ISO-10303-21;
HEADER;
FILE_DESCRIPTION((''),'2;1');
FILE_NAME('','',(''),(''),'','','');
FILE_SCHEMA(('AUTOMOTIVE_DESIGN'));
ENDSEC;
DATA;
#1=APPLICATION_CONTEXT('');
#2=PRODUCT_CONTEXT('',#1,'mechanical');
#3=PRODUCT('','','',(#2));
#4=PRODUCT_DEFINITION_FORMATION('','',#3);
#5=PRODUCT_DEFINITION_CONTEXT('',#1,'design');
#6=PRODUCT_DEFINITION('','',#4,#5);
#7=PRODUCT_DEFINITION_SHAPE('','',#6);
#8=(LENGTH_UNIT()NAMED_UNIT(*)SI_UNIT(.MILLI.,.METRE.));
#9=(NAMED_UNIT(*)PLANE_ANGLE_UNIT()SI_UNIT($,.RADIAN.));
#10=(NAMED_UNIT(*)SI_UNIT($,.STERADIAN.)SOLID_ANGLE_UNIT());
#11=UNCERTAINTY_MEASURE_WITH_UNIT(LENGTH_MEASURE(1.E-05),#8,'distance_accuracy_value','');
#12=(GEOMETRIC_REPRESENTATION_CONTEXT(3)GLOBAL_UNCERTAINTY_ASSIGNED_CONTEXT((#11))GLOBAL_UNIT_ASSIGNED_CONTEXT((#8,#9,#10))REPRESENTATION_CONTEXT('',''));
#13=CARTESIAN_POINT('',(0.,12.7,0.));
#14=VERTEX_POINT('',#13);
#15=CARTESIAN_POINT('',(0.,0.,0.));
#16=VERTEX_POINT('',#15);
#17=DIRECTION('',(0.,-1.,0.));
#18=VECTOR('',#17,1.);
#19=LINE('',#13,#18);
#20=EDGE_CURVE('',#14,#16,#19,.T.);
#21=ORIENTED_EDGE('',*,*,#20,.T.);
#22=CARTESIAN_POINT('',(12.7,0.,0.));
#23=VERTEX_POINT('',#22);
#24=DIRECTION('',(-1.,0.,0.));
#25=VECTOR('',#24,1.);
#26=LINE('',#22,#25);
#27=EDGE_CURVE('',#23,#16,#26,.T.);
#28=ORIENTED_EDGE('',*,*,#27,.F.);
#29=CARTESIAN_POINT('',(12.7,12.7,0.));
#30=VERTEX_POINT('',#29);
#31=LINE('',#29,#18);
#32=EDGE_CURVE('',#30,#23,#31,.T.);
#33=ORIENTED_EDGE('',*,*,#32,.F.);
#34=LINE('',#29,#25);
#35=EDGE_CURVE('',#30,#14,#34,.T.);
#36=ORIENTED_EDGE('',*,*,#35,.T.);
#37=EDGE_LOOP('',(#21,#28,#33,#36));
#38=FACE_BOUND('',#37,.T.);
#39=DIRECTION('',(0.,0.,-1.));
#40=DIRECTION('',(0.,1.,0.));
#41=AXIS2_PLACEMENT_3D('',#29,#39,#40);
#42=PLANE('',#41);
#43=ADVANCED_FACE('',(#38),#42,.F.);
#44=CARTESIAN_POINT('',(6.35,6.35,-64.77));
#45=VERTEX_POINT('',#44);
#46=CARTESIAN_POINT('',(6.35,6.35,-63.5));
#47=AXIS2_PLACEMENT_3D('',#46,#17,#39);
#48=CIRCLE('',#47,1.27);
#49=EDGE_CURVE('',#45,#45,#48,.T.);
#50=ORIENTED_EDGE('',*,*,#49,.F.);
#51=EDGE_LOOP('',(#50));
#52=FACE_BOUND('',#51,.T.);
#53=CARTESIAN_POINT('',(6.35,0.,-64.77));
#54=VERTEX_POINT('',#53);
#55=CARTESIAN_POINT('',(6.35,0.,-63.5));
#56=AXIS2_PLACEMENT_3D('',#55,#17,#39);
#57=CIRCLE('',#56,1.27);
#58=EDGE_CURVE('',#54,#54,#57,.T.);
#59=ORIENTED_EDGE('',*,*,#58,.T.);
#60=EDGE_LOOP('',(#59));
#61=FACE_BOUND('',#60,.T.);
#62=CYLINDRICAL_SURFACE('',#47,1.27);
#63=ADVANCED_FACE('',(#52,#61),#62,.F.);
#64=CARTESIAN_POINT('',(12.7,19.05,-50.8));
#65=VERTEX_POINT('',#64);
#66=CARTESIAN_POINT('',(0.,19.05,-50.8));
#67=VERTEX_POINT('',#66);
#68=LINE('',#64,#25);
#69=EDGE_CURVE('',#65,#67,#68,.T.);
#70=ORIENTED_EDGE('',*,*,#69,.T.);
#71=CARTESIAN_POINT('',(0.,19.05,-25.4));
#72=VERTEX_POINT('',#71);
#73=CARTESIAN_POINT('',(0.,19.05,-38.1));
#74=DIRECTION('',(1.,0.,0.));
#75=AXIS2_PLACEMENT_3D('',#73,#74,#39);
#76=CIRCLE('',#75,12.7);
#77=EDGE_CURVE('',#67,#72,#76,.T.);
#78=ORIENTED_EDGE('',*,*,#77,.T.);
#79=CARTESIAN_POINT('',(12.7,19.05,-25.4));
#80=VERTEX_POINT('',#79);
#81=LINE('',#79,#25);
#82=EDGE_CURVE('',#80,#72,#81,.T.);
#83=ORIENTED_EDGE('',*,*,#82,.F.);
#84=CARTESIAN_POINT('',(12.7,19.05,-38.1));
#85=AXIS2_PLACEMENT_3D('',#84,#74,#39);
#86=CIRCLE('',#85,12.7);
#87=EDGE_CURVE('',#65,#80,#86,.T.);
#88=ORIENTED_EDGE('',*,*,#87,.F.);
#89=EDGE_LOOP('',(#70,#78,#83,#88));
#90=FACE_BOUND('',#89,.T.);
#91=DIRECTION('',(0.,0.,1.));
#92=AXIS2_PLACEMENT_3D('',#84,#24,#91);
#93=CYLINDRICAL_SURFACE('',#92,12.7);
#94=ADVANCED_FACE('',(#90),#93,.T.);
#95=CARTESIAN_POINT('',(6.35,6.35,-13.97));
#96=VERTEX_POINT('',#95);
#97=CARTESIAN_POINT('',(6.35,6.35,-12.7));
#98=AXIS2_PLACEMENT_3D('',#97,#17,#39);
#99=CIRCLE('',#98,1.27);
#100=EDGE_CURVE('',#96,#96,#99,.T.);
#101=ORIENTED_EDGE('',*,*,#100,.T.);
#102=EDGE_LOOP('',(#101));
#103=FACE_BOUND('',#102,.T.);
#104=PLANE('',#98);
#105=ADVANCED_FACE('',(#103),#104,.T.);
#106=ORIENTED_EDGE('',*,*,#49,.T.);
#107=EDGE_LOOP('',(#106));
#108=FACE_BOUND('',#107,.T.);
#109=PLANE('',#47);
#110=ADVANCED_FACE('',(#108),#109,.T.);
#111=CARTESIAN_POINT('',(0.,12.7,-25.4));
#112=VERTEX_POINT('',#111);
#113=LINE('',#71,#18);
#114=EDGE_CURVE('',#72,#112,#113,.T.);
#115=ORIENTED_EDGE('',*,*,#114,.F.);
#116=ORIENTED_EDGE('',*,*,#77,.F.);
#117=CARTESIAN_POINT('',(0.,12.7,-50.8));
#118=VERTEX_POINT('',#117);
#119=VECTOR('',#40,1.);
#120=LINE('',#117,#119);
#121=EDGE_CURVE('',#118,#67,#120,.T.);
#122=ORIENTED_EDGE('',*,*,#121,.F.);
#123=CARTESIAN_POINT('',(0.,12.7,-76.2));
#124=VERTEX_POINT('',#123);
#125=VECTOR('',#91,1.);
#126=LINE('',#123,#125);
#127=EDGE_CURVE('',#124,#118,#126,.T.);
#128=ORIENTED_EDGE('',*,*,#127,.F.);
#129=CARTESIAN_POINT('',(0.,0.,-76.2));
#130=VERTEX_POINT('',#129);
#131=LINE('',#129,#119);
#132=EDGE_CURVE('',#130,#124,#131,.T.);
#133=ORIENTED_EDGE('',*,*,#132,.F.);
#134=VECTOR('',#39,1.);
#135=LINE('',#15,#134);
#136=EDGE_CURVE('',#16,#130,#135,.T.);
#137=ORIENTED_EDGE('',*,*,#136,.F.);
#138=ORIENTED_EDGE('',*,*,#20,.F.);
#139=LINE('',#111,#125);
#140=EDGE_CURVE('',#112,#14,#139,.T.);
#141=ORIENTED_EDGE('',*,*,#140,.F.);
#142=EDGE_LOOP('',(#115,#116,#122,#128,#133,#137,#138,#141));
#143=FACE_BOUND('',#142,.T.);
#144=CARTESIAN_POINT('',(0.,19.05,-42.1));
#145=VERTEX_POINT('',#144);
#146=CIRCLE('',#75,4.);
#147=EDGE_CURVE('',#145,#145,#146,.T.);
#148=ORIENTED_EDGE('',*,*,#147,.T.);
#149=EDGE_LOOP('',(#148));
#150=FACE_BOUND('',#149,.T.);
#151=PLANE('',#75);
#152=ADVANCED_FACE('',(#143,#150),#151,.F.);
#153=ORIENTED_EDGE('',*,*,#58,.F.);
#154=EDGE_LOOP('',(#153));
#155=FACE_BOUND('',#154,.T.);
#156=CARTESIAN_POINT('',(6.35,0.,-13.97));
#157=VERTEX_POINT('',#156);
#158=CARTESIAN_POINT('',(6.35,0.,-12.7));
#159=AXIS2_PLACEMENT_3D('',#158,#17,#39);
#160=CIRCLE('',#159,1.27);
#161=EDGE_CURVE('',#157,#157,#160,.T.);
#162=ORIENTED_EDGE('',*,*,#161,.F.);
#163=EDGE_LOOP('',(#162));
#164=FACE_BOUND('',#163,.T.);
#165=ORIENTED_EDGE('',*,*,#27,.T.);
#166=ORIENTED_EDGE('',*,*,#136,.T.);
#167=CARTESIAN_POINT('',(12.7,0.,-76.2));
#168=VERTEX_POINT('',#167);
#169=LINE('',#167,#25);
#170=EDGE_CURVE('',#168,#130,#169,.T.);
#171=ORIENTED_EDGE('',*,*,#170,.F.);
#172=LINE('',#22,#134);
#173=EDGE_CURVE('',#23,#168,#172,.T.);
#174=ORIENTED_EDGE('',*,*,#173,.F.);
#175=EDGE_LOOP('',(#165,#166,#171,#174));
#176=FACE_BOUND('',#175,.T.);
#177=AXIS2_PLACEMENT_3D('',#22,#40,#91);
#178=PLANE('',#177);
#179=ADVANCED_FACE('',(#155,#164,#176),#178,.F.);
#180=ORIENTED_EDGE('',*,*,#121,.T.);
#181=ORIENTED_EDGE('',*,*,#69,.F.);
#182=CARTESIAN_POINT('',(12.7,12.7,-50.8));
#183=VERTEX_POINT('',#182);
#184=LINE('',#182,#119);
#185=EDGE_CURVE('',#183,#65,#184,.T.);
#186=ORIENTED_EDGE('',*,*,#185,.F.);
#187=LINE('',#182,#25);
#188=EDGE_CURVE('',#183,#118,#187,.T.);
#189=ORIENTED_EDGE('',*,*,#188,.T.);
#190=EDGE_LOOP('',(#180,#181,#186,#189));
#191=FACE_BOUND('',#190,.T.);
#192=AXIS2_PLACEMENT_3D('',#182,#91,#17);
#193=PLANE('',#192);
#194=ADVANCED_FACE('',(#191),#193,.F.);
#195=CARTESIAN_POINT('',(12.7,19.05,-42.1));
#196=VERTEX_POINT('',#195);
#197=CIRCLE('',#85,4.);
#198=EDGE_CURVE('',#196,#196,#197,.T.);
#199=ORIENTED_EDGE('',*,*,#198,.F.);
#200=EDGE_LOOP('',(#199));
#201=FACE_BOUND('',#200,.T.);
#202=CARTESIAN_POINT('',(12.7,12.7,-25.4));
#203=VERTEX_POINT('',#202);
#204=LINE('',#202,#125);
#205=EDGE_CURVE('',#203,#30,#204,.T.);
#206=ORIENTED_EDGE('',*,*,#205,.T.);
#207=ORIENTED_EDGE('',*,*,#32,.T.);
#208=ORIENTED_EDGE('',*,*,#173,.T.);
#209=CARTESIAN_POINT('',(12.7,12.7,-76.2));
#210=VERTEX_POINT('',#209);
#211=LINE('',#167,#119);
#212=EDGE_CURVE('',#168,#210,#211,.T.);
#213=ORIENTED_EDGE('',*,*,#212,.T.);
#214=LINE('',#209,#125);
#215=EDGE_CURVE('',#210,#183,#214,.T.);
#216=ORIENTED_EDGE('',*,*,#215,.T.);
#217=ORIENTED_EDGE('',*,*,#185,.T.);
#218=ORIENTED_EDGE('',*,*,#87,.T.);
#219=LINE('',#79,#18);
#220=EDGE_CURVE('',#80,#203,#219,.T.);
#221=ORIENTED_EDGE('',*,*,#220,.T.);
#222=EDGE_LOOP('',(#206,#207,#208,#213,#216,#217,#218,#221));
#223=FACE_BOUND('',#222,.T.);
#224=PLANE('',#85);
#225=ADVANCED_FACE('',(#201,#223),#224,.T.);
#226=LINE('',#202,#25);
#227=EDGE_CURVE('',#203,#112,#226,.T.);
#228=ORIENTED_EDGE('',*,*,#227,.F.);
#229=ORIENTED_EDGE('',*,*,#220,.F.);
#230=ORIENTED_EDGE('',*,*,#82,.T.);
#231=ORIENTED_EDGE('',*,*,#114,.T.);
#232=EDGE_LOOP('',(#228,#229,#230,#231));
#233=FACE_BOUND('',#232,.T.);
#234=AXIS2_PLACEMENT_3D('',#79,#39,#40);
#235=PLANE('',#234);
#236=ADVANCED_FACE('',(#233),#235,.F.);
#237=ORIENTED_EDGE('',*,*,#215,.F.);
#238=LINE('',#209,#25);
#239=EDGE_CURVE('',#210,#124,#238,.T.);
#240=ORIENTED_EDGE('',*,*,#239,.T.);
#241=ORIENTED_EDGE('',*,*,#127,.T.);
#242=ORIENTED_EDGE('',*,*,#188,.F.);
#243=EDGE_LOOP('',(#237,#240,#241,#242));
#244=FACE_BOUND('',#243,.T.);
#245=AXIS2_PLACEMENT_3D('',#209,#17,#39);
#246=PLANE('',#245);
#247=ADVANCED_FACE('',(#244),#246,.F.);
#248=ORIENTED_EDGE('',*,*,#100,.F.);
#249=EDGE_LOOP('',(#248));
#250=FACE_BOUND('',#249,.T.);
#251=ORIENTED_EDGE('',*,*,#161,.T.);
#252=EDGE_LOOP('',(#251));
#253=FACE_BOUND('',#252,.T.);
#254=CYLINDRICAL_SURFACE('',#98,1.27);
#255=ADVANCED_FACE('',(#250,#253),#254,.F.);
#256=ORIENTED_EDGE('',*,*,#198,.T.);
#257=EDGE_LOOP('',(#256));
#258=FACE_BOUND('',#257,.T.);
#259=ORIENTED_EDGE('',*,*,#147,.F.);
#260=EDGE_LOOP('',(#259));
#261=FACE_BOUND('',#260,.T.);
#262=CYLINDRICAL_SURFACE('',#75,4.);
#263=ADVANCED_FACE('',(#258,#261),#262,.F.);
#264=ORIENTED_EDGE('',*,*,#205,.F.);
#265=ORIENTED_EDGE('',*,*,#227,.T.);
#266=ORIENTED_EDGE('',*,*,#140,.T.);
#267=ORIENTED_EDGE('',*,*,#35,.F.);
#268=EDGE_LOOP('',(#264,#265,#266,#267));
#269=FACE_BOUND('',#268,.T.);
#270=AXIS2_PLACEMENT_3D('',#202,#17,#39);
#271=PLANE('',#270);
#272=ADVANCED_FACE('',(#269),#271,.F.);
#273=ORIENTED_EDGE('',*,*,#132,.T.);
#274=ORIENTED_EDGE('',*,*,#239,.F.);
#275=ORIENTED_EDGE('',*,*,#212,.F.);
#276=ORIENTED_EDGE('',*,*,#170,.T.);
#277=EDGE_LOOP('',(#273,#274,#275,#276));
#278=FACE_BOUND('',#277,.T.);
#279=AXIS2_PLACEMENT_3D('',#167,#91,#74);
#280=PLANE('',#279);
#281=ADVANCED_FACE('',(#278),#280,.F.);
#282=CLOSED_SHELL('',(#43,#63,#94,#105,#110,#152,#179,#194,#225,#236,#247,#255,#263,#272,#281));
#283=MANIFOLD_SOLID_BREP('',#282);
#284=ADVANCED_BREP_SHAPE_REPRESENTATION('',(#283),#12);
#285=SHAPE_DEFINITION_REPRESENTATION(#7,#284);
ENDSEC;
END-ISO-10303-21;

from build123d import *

# Parameters (mm, degrees)
BOSS_EXTRUDE1_DEPTH = 12.7
SKETCH2_R           = 4
CUT_EXTRUDE1_DEPTH  = 84.521209881
SKETCH3_R           = 1.27
CUT_EXTRUDE2_DEPTH  = 6.35


with BuildPart() as part:
    # Sketch1 → Boss-Extrude1 (new body)
    with BuildSketch(Plane(origin=(0, 0, 0), x_dir=(0, 0, -1), z_dir=(1, 0, 0))):
        with BuildLine():
            Line((0, 0), (76.2, 0))
            Line((76.2, 0), (76.2, 12.7))
            Line((76.2, 12.7), (50.8, 12.7))
            Line((50.8, 12.7), (50.8, 19.05))
            ThreePointArc((50.8, 19.05), (38.1, 31.75), (25.4, 19.05))
            Line((25.4, 19.05), (25.4, 12.7))
            Line((25.4, 12.7), (0, 12.7))
            Line((0, 12.7), (0, 0))
        make_face()
    extrude(amount=BOSS_EXTRUDE1_DEPTH)

    # Sketch2 → Cut-Extrude1 (cut, through all)
    with BuildSketch(Plane(origin=(12.7, 0, 0), x_dir=(0, 0, -1), z_dir=(1, 0, 0))):
        with Locations((38.1, 19.05)):
            Circle(SKETCH2_R)
    extrude(amount=-CUT_EXTRUDE1_DEPTH, mode=Mode.SUBTRACT)

    # Sketch3 → Cut-Extrude2 (cut)
    with BuildSketch(Plane.XZ):
        with Locations(Location((6.35, -12.7, 0), (0, 0, 270))):
            Circle(SKETCH3_R)
        with Locations(Location((6.35, -63.5, 0), (0, 0, 270))):
            Circle(SKETCH3_R)
    extrude(amount=-CUT_EXTRUDE2_DEPTH, mode=Mode.SUBTRACT)


solid = part.part
